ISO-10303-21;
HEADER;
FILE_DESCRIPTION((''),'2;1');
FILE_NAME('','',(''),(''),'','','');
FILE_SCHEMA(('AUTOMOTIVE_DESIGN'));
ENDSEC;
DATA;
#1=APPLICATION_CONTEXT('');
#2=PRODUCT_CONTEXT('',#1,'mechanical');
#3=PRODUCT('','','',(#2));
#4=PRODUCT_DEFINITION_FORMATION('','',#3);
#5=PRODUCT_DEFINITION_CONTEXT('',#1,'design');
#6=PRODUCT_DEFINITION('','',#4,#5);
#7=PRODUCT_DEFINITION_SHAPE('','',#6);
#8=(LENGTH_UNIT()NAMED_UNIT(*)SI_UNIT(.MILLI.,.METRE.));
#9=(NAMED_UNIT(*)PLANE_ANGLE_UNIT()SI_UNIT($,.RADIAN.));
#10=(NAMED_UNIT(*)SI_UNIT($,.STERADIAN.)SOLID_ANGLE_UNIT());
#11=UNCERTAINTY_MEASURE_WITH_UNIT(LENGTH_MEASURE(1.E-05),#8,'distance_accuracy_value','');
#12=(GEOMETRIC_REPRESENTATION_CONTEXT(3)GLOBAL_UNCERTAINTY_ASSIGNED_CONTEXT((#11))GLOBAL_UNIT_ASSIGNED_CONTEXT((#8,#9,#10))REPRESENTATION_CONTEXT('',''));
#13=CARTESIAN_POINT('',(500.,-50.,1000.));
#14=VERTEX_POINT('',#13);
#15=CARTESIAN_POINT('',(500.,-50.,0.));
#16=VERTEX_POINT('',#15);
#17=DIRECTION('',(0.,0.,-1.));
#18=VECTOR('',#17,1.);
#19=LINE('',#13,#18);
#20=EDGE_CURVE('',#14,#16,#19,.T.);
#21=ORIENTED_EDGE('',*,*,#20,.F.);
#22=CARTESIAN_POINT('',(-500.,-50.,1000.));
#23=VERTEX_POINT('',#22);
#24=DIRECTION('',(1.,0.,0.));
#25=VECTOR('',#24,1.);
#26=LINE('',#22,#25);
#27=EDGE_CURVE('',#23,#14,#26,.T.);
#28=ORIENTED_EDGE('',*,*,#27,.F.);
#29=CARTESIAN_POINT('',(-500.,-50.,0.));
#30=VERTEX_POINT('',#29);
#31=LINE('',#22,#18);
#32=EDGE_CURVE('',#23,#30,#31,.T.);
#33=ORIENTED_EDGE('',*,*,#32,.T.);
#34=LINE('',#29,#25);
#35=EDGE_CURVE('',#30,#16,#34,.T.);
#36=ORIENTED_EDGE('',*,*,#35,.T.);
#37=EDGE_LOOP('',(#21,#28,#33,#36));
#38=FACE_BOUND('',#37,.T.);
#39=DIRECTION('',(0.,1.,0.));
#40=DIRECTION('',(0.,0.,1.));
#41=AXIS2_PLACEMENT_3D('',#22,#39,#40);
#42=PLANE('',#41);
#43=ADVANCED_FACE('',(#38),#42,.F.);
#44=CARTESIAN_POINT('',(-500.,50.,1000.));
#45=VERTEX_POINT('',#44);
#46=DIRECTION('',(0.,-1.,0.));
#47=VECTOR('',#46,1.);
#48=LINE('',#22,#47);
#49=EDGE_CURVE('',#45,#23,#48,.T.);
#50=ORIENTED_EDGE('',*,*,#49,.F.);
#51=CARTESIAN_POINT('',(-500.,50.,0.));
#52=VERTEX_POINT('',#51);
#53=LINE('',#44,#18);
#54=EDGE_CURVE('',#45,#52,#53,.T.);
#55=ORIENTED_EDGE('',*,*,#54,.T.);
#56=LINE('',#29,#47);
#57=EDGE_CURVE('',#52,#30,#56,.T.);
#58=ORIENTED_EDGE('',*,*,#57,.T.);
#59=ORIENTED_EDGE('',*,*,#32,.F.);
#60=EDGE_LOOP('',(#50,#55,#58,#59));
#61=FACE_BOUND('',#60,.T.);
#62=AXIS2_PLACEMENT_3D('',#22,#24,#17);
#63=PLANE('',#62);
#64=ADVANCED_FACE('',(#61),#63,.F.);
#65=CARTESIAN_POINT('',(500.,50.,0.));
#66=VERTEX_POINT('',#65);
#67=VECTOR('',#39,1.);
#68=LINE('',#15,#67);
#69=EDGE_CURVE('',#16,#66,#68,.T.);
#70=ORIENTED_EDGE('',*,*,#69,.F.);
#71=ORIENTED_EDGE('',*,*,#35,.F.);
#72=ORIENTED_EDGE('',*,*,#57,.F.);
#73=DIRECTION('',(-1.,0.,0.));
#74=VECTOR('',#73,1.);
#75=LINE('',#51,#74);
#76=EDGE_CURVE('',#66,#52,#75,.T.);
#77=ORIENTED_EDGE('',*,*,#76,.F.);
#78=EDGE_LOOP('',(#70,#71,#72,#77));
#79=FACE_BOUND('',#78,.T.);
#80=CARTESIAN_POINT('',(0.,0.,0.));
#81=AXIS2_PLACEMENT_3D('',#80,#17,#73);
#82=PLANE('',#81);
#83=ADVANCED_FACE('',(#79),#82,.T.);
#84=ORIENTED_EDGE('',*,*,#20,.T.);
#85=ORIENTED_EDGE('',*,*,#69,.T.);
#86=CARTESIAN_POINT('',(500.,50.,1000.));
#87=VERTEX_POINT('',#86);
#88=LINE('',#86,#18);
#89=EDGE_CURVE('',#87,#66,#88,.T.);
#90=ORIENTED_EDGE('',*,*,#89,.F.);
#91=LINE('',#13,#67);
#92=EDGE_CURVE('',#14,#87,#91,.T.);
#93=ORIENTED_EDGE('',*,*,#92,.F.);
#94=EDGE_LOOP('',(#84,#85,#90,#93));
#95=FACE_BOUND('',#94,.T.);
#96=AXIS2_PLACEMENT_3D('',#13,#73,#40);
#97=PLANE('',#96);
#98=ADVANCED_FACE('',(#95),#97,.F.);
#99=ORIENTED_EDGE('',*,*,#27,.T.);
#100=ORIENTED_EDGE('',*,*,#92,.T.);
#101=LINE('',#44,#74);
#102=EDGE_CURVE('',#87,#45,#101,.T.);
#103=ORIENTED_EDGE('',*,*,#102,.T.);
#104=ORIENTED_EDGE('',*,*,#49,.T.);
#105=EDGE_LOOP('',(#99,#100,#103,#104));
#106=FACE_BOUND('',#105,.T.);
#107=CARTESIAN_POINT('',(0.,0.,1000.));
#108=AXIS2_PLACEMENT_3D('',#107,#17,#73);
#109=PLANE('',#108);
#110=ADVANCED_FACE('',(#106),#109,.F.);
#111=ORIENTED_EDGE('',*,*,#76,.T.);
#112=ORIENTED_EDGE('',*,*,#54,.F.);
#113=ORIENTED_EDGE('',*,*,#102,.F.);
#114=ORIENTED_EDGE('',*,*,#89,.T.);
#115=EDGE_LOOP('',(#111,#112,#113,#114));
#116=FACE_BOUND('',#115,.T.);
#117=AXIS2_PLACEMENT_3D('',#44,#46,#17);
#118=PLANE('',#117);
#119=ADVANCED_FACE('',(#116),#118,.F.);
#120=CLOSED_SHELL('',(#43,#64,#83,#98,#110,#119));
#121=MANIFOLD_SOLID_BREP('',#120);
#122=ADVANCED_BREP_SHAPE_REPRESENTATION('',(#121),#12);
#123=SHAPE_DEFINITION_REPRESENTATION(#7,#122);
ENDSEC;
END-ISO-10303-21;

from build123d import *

# Parameters (mm, degrees)
SKETCH1_W           = 1000
SKETCH1_H           = 100
BOSS_EXTRUDE1_DEPTH = 1000


with BuildPart() as part:
    # Sketch1 → Boss-Extrude1 (new body)
    with BuildSketch(Plane.XY):
        Rectangle(SKETCH1_W, SKETCH1_H)
    extrude(amount=BOSS_EXTRUDE1_DEPTH)


solid = part.part
